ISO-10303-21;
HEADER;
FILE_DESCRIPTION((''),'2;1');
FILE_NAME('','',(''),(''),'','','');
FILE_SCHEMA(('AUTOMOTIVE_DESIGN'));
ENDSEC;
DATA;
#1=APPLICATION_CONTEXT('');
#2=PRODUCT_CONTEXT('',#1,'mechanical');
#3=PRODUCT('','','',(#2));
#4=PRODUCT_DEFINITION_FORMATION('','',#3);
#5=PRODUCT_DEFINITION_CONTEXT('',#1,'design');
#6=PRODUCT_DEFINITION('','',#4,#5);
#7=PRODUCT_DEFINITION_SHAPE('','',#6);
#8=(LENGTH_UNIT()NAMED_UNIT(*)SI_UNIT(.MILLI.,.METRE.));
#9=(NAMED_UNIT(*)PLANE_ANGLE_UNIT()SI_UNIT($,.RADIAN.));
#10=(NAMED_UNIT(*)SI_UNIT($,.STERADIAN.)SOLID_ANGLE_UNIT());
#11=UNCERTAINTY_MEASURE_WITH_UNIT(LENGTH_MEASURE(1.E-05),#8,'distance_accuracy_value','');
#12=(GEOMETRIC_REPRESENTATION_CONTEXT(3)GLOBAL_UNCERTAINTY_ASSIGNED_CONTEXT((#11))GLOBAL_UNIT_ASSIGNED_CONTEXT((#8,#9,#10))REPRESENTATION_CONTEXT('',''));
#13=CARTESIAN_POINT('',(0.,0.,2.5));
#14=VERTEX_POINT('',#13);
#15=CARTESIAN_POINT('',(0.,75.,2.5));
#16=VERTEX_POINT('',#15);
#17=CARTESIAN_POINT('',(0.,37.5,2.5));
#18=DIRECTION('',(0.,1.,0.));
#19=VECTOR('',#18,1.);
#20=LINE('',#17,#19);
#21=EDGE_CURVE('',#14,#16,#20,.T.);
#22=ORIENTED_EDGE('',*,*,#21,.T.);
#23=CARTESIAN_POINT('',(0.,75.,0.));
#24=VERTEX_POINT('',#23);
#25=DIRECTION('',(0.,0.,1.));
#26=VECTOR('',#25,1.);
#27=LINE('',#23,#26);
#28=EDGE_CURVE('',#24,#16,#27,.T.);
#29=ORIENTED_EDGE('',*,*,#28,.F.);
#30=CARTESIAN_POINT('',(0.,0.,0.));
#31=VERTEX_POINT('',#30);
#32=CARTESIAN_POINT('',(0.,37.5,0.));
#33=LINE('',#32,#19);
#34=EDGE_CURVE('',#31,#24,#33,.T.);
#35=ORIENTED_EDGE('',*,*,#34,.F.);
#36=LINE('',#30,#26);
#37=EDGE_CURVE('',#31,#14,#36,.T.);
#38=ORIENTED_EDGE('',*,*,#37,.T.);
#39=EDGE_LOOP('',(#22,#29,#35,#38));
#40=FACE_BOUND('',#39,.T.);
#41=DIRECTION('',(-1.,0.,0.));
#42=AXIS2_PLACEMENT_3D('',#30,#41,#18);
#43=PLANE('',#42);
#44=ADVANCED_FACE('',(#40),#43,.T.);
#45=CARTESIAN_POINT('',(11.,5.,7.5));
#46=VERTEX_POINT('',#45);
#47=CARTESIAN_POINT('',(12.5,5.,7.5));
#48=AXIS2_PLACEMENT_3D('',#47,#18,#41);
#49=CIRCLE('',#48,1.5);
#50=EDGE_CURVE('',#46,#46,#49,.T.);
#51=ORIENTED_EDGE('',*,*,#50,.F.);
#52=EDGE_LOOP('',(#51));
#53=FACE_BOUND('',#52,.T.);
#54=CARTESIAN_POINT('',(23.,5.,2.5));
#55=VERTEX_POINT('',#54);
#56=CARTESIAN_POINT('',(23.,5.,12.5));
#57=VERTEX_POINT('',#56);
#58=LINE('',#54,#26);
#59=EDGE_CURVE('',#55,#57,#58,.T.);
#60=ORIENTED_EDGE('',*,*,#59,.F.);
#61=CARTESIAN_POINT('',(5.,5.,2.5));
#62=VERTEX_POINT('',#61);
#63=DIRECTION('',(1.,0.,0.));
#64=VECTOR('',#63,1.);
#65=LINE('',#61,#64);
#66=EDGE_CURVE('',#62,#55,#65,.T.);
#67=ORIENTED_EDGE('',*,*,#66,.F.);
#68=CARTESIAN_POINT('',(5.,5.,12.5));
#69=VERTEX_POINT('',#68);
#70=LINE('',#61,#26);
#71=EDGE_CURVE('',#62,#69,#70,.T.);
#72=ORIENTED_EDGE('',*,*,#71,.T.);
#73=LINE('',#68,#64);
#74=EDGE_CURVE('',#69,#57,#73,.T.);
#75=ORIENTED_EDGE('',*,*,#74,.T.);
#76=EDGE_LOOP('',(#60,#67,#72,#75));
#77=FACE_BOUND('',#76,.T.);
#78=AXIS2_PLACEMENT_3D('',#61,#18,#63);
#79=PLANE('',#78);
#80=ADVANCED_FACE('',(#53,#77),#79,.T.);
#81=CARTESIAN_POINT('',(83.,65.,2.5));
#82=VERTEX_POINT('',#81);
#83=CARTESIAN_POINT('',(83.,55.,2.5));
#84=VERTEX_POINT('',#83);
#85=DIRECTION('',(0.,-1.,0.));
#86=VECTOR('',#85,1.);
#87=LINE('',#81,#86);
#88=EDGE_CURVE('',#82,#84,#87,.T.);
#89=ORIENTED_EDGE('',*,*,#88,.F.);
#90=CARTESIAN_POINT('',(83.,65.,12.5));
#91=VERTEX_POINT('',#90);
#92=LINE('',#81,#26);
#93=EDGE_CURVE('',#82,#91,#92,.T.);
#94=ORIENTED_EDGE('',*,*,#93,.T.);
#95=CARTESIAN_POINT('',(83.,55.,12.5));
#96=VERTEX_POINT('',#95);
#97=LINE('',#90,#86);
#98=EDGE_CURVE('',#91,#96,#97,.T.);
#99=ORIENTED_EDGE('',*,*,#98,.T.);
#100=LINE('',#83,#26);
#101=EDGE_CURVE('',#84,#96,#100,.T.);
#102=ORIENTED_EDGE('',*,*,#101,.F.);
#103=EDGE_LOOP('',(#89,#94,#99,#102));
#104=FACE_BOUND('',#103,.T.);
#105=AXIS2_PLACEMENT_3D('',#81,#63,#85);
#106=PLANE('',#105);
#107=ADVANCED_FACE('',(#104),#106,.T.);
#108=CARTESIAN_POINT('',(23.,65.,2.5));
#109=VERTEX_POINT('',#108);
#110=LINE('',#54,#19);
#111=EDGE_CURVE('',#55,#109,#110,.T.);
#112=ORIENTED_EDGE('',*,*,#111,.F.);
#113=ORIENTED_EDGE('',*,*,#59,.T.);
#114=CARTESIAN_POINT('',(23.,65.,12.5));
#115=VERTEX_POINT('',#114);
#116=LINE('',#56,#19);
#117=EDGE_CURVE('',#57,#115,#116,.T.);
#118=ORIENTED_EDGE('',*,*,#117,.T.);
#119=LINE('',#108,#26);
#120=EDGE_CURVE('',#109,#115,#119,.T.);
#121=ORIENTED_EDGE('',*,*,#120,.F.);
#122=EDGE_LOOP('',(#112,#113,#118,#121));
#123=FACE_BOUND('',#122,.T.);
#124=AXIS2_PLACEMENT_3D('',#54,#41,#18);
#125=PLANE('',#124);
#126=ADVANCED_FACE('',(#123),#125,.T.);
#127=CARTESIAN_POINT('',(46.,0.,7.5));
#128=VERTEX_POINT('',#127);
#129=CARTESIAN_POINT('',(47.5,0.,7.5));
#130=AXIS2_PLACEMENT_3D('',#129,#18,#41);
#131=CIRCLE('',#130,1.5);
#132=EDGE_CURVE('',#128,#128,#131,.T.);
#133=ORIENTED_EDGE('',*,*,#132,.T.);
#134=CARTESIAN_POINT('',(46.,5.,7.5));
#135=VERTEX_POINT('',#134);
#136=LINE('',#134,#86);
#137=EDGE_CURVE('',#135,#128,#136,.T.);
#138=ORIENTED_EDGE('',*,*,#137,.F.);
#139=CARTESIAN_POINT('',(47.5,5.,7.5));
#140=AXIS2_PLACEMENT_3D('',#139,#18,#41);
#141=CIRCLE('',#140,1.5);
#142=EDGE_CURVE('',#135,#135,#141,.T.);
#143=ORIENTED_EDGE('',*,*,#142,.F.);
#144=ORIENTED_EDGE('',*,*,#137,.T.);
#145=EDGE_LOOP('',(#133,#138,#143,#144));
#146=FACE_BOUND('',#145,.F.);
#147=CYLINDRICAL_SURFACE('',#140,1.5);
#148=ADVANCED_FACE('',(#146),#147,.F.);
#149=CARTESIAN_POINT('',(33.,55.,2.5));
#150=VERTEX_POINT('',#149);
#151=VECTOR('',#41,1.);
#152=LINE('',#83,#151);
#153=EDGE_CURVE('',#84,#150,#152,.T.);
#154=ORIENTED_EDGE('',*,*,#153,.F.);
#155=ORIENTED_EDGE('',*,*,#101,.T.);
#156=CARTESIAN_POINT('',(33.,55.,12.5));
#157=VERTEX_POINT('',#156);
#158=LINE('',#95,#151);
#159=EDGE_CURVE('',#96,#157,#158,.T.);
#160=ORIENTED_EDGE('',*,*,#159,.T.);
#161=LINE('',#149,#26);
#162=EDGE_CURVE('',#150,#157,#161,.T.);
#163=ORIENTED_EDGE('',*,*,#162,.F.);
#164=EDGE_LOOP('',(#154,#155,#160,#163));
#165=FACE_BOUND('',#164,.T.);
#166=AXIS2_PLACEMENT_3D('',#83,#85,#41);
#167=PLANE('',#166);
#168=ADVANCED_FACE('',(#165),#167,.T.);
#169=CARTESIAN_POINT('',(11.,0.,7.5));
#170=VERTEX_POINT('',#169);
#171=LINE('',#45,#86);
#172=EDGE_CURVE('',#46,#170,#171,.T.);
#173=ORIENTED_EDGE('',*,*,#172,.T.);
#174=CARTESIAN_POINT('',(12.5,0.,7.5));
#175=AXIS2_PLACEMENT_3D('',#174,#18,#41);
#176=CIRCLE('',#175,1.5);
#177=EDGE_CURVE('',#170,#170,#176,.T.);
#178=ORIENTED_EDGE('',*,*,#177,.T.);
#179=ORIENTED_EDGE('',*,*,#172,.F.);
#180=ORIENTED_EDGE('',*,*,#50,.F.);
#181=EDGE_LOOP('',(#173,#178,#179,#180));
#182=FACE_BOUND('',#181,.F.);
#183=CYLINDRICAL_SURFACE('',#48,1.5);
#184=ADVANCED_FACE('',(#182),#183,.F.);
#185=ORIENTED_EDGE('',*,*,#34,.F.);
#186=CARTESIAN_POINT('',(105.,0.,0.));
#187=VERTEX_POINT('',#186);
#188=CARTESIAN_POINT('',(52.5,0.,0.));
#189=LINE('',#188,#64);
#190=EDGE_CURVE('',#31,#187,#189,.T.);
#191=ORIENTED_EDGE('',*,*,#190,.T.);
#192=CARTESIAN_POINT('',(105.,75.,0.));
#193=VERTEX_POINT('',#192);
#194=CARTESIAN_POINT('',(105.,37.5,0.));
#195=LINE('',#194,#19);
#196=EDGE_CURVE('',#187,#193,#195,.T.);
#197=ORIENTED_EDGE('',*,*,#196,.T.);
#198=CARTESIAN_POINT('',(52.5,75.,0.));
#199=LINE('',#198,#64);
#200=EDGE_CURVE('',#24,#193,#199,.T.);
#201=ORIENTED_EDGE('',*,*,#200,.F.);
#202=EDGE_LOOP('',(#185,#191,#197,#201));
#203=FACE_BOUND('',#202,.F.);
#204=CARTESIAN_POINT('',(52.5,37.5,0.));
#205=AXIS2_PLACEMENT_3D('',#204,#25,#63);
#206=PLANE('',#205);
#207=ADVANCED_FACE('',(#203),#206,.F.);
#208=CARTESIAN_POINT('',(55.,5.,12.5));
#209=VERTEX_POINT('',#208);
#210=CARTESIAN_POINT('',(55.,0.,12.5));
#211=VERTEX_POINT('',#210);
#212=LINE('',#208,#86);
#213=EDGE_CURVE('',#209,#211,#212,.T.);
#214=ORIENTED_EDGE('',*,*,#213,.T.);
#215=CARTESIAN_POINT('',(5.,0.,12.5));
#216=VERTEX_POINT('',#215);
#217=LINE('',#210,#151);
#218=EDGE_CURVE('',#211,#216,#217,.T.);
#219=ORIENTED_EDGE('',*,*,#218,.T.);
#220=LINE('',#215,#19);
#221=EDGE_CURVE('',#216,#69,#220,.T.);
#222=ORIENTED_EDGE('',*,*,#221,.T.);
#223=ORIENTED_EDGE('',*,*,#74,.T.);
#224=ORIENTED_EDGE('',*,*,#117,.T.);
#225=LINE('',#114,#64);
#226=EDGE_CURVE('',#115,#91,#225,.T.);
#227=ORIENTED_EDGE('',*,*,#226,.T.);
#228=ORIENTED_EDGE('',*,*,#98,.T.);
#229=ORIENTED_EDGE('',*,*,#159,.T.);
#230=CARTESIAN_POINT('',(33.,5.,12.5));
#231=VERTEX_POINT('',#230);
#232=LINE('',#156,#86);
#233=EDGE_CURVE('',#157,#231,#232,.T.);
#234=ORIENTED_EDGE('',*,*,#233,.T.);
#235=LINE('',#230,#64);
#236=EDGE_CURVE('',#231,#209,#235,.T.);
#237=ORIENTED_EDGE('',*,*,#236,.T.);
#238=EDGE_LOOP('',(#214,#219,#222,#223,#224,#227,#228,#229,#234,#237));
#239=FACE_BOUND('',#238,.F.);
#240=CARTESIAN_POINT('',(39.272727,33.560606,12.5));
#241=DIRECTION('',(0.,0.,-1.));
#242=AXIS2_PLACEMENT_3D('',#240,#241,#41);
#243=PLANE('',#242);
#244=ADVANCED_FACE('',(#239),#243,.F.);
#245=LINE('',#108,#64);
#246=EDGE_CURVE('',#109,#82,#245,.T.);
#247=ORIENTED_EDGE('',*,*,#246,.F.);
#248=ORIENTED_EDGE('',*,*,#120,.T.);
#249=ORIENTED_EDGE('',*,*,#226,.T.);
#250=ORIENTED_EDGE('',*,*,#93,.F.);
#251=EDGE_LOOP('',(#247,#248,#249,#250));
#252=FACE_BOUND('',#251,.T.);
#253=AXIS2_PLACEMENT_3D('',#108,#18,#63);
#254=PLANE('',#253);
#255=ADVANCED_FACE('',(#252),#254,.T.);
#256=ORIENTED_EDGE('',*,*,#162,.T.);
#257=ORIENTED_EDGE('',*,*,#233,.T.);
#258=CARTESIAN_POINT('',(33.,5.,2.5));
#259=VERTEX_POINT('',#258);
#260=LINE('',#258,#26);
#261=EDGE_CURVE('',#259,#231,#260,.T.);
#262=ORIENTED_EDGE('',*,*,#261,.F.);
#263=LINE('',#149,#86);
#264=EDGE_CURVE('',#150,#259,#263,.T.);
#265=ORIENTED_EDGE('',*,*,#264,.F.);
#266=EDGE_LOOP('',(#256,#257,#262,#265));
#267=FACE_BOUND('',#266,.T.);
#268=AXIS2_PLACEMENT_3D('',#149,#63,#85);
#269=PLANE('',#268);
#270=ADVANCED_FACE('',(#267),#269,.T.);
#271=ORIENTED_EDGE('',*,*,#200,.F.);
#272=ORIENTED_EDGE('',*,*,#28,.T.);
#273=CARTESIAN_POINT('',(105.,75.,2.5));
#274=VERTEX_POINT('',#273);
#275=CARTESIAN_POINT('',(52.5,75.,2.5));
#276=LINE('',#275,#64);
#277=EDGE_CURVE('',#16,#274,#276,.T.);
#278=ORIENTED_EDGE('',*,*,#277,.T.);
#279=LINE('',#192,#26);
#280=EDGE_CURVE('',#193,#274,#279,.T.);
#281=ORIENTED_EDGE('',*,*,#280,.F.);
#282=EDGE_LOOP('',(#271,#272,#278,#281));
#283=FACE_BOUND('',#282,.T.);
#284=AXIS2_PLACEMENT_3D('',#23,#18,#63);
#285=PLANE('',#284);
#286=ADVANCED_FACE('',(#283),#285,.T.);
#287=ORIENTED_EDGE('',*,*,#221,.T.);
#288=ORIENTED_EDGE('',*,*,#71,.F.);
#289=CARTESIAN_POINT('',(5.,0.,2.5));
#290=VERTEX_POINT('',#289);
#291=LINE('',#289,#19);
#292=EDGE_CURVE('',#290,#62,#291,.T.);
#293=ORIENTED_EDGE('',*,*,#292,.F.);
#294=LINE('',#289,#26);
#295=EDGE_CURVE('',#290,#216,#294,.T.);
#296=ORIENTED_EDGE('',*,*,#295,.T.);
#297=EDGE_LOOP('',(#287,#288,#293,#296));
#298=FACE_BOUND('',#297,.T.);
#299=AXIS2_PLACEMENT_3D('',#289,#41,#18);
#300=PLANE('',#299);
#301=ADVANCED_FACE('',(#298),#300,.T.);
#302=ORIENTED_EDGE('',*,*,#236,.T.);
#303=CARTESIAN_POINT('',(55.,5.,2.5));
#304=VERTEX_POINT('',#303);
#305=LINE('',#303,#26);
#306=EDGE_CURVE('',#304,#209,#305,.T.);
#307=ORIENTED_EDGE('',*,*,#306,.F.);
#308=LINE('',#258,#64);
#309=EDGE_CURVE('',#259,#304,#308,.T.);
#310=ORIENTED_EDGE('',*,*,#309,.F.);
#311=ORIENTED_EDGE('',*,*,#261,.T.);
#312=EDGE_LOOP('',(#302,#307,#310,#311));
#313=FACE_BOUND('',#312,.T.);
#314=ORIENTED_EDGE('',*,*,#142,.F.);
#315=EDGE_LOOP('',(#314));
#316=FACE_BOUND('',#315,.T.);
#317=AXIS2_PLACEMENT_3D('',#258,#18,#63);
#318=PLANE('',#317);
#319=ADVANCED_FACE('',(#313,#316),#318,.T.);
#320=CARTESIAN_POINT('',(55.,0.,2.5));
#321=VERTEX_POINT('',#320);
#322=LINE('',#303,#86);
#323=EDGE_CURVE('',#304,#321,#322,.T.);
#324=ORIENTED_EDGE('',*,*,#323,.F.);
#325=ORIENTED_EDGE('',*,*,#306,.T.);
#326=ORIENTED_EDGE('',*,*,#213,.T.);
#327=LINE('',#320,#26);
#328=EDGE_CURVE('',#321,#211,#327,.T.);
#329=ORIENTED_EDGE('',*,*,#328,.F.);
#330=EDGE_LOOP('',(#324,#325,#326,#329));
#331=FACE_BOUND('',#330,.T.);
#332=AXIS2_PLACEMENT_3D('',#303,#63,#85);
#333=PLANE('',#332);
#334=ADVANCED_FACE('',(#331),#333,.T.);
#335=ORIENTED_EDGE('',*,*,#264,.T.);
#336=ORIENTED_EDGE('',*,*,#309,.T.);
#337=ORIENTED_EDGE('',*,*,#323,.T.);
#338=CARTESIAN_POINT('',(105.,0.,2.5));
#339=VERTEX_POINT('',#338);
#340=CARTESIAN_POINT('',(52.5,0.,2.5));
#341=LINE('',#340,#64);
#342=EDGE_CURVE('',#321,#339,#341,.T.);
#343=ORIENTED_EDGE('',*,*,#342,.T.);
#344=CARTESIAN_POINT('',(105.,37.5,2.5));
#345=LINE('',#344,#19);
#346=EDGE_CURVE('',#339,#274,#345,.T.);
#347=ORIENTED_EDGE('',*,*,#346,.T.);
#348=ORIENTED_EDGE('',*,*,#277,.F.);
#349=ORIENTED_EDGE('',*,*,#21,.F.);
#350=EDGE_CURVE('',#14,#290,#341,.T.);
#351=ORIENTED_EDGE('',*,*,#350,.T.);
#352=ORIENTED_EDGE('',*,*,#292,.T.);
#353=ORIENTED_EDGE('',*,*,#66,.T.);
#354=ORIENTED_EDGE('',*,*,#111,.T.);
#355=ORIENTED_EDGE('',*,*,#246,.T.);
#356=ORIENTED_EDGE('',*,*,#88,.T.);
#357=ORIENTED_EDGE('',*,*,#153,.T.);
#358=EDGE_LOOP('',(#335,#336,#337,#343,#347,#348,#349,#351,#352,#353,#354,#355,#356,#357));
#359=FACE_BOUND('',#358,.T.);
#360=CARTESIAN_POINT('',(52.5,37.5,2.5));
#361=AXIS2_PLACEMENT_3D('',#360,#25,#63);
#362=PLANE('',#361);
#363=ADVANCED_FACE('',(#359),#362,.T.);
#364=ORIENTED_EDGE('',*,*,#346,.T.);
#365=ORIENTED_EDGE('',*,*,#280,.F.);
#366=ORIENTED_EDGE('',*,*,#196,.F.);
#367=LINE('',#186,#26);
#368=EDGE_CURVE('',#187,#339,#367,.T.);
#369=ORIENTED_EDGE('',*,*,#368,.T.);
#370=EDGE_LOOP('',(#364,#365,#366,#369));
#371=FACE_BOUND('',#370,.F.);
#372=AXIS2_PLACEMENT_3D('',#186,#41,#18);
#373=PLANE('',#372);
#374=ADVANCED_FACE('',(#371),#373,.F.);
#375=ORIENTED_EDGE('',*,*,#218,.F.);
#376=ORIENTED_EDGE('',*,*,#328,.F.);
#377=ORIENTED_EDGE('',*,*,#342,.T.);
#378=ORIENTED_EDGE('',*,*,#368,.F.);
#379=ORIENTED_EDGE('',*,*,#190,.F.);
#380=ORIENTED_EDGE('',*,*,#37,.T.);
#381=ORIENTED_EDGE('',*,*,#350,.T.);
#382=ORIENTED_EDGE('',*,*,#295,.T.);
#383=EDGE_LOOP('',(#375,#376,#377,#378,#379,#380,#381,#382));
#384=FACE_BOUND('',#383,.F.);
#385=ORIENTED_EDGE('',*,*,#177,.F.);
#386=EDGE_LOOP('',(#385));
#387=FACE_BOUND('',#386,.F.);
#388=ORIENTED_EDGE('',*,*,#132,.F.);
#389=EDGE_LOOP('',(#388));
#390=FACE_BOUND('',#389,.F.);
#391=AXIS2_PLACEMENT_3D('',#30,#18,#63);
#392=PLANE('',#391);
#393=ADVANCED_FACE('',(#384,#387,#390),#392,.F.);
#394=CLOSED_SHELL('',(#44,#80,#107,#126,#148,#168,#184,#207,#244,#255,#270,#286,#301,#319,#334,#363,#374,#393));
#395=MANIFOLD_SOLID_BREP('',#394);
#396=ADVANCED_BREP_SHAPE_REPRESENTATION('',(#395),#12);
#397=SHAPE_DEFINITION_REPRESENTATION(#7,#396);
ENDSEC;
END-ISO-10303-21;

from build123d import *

# Parameters (mm, degrees)
SKETCH_W     = 105
SKETCH_H     = 75
PAD_DEPTH    = 2.5
PAD001_DEPTH = 10
SKETCH002_R  = 1.5
POCKET_DEPTH = 5.001


with BuildPart() as part:
    # Sketch → Pad (new body)
    with BuildSketch(Plane.XY):
        with Locations((52.5, 37.5)):
            Rectangle(SKETCH_W, SKETCH_H)
    extrude(amount=PAD_DEPTH)

    # Sketch001 → Pad001 (new body)
    with BuildSketch(Plane.XY.offset(2.5)):
        Polygon((5, 0), (5, 5), (23, 5), (23, 65), (83, 65), (83, 55), (33, 55), (33, 5), (55, 5), (55, 0), align=None)
    extrude(amount=PAD001_DEPTH)

    # Sketch002 → Pocket (cut, through all)
    with BuildSketch(Plane(origin=(0, 5, 0), x_dir=(-1, 0, 0), z_dir=(0, 1, 0))):
        with Locations((-12.5, 7.5)):
            Circle(SKETCH002_R)
        with Locations((-47.5, 7.5)):
            Circle(SKETCH002_R)
    extrude(amount=-POCKET_DEPTH, mode=Mode.SUBTRACT)


solid = part.part
